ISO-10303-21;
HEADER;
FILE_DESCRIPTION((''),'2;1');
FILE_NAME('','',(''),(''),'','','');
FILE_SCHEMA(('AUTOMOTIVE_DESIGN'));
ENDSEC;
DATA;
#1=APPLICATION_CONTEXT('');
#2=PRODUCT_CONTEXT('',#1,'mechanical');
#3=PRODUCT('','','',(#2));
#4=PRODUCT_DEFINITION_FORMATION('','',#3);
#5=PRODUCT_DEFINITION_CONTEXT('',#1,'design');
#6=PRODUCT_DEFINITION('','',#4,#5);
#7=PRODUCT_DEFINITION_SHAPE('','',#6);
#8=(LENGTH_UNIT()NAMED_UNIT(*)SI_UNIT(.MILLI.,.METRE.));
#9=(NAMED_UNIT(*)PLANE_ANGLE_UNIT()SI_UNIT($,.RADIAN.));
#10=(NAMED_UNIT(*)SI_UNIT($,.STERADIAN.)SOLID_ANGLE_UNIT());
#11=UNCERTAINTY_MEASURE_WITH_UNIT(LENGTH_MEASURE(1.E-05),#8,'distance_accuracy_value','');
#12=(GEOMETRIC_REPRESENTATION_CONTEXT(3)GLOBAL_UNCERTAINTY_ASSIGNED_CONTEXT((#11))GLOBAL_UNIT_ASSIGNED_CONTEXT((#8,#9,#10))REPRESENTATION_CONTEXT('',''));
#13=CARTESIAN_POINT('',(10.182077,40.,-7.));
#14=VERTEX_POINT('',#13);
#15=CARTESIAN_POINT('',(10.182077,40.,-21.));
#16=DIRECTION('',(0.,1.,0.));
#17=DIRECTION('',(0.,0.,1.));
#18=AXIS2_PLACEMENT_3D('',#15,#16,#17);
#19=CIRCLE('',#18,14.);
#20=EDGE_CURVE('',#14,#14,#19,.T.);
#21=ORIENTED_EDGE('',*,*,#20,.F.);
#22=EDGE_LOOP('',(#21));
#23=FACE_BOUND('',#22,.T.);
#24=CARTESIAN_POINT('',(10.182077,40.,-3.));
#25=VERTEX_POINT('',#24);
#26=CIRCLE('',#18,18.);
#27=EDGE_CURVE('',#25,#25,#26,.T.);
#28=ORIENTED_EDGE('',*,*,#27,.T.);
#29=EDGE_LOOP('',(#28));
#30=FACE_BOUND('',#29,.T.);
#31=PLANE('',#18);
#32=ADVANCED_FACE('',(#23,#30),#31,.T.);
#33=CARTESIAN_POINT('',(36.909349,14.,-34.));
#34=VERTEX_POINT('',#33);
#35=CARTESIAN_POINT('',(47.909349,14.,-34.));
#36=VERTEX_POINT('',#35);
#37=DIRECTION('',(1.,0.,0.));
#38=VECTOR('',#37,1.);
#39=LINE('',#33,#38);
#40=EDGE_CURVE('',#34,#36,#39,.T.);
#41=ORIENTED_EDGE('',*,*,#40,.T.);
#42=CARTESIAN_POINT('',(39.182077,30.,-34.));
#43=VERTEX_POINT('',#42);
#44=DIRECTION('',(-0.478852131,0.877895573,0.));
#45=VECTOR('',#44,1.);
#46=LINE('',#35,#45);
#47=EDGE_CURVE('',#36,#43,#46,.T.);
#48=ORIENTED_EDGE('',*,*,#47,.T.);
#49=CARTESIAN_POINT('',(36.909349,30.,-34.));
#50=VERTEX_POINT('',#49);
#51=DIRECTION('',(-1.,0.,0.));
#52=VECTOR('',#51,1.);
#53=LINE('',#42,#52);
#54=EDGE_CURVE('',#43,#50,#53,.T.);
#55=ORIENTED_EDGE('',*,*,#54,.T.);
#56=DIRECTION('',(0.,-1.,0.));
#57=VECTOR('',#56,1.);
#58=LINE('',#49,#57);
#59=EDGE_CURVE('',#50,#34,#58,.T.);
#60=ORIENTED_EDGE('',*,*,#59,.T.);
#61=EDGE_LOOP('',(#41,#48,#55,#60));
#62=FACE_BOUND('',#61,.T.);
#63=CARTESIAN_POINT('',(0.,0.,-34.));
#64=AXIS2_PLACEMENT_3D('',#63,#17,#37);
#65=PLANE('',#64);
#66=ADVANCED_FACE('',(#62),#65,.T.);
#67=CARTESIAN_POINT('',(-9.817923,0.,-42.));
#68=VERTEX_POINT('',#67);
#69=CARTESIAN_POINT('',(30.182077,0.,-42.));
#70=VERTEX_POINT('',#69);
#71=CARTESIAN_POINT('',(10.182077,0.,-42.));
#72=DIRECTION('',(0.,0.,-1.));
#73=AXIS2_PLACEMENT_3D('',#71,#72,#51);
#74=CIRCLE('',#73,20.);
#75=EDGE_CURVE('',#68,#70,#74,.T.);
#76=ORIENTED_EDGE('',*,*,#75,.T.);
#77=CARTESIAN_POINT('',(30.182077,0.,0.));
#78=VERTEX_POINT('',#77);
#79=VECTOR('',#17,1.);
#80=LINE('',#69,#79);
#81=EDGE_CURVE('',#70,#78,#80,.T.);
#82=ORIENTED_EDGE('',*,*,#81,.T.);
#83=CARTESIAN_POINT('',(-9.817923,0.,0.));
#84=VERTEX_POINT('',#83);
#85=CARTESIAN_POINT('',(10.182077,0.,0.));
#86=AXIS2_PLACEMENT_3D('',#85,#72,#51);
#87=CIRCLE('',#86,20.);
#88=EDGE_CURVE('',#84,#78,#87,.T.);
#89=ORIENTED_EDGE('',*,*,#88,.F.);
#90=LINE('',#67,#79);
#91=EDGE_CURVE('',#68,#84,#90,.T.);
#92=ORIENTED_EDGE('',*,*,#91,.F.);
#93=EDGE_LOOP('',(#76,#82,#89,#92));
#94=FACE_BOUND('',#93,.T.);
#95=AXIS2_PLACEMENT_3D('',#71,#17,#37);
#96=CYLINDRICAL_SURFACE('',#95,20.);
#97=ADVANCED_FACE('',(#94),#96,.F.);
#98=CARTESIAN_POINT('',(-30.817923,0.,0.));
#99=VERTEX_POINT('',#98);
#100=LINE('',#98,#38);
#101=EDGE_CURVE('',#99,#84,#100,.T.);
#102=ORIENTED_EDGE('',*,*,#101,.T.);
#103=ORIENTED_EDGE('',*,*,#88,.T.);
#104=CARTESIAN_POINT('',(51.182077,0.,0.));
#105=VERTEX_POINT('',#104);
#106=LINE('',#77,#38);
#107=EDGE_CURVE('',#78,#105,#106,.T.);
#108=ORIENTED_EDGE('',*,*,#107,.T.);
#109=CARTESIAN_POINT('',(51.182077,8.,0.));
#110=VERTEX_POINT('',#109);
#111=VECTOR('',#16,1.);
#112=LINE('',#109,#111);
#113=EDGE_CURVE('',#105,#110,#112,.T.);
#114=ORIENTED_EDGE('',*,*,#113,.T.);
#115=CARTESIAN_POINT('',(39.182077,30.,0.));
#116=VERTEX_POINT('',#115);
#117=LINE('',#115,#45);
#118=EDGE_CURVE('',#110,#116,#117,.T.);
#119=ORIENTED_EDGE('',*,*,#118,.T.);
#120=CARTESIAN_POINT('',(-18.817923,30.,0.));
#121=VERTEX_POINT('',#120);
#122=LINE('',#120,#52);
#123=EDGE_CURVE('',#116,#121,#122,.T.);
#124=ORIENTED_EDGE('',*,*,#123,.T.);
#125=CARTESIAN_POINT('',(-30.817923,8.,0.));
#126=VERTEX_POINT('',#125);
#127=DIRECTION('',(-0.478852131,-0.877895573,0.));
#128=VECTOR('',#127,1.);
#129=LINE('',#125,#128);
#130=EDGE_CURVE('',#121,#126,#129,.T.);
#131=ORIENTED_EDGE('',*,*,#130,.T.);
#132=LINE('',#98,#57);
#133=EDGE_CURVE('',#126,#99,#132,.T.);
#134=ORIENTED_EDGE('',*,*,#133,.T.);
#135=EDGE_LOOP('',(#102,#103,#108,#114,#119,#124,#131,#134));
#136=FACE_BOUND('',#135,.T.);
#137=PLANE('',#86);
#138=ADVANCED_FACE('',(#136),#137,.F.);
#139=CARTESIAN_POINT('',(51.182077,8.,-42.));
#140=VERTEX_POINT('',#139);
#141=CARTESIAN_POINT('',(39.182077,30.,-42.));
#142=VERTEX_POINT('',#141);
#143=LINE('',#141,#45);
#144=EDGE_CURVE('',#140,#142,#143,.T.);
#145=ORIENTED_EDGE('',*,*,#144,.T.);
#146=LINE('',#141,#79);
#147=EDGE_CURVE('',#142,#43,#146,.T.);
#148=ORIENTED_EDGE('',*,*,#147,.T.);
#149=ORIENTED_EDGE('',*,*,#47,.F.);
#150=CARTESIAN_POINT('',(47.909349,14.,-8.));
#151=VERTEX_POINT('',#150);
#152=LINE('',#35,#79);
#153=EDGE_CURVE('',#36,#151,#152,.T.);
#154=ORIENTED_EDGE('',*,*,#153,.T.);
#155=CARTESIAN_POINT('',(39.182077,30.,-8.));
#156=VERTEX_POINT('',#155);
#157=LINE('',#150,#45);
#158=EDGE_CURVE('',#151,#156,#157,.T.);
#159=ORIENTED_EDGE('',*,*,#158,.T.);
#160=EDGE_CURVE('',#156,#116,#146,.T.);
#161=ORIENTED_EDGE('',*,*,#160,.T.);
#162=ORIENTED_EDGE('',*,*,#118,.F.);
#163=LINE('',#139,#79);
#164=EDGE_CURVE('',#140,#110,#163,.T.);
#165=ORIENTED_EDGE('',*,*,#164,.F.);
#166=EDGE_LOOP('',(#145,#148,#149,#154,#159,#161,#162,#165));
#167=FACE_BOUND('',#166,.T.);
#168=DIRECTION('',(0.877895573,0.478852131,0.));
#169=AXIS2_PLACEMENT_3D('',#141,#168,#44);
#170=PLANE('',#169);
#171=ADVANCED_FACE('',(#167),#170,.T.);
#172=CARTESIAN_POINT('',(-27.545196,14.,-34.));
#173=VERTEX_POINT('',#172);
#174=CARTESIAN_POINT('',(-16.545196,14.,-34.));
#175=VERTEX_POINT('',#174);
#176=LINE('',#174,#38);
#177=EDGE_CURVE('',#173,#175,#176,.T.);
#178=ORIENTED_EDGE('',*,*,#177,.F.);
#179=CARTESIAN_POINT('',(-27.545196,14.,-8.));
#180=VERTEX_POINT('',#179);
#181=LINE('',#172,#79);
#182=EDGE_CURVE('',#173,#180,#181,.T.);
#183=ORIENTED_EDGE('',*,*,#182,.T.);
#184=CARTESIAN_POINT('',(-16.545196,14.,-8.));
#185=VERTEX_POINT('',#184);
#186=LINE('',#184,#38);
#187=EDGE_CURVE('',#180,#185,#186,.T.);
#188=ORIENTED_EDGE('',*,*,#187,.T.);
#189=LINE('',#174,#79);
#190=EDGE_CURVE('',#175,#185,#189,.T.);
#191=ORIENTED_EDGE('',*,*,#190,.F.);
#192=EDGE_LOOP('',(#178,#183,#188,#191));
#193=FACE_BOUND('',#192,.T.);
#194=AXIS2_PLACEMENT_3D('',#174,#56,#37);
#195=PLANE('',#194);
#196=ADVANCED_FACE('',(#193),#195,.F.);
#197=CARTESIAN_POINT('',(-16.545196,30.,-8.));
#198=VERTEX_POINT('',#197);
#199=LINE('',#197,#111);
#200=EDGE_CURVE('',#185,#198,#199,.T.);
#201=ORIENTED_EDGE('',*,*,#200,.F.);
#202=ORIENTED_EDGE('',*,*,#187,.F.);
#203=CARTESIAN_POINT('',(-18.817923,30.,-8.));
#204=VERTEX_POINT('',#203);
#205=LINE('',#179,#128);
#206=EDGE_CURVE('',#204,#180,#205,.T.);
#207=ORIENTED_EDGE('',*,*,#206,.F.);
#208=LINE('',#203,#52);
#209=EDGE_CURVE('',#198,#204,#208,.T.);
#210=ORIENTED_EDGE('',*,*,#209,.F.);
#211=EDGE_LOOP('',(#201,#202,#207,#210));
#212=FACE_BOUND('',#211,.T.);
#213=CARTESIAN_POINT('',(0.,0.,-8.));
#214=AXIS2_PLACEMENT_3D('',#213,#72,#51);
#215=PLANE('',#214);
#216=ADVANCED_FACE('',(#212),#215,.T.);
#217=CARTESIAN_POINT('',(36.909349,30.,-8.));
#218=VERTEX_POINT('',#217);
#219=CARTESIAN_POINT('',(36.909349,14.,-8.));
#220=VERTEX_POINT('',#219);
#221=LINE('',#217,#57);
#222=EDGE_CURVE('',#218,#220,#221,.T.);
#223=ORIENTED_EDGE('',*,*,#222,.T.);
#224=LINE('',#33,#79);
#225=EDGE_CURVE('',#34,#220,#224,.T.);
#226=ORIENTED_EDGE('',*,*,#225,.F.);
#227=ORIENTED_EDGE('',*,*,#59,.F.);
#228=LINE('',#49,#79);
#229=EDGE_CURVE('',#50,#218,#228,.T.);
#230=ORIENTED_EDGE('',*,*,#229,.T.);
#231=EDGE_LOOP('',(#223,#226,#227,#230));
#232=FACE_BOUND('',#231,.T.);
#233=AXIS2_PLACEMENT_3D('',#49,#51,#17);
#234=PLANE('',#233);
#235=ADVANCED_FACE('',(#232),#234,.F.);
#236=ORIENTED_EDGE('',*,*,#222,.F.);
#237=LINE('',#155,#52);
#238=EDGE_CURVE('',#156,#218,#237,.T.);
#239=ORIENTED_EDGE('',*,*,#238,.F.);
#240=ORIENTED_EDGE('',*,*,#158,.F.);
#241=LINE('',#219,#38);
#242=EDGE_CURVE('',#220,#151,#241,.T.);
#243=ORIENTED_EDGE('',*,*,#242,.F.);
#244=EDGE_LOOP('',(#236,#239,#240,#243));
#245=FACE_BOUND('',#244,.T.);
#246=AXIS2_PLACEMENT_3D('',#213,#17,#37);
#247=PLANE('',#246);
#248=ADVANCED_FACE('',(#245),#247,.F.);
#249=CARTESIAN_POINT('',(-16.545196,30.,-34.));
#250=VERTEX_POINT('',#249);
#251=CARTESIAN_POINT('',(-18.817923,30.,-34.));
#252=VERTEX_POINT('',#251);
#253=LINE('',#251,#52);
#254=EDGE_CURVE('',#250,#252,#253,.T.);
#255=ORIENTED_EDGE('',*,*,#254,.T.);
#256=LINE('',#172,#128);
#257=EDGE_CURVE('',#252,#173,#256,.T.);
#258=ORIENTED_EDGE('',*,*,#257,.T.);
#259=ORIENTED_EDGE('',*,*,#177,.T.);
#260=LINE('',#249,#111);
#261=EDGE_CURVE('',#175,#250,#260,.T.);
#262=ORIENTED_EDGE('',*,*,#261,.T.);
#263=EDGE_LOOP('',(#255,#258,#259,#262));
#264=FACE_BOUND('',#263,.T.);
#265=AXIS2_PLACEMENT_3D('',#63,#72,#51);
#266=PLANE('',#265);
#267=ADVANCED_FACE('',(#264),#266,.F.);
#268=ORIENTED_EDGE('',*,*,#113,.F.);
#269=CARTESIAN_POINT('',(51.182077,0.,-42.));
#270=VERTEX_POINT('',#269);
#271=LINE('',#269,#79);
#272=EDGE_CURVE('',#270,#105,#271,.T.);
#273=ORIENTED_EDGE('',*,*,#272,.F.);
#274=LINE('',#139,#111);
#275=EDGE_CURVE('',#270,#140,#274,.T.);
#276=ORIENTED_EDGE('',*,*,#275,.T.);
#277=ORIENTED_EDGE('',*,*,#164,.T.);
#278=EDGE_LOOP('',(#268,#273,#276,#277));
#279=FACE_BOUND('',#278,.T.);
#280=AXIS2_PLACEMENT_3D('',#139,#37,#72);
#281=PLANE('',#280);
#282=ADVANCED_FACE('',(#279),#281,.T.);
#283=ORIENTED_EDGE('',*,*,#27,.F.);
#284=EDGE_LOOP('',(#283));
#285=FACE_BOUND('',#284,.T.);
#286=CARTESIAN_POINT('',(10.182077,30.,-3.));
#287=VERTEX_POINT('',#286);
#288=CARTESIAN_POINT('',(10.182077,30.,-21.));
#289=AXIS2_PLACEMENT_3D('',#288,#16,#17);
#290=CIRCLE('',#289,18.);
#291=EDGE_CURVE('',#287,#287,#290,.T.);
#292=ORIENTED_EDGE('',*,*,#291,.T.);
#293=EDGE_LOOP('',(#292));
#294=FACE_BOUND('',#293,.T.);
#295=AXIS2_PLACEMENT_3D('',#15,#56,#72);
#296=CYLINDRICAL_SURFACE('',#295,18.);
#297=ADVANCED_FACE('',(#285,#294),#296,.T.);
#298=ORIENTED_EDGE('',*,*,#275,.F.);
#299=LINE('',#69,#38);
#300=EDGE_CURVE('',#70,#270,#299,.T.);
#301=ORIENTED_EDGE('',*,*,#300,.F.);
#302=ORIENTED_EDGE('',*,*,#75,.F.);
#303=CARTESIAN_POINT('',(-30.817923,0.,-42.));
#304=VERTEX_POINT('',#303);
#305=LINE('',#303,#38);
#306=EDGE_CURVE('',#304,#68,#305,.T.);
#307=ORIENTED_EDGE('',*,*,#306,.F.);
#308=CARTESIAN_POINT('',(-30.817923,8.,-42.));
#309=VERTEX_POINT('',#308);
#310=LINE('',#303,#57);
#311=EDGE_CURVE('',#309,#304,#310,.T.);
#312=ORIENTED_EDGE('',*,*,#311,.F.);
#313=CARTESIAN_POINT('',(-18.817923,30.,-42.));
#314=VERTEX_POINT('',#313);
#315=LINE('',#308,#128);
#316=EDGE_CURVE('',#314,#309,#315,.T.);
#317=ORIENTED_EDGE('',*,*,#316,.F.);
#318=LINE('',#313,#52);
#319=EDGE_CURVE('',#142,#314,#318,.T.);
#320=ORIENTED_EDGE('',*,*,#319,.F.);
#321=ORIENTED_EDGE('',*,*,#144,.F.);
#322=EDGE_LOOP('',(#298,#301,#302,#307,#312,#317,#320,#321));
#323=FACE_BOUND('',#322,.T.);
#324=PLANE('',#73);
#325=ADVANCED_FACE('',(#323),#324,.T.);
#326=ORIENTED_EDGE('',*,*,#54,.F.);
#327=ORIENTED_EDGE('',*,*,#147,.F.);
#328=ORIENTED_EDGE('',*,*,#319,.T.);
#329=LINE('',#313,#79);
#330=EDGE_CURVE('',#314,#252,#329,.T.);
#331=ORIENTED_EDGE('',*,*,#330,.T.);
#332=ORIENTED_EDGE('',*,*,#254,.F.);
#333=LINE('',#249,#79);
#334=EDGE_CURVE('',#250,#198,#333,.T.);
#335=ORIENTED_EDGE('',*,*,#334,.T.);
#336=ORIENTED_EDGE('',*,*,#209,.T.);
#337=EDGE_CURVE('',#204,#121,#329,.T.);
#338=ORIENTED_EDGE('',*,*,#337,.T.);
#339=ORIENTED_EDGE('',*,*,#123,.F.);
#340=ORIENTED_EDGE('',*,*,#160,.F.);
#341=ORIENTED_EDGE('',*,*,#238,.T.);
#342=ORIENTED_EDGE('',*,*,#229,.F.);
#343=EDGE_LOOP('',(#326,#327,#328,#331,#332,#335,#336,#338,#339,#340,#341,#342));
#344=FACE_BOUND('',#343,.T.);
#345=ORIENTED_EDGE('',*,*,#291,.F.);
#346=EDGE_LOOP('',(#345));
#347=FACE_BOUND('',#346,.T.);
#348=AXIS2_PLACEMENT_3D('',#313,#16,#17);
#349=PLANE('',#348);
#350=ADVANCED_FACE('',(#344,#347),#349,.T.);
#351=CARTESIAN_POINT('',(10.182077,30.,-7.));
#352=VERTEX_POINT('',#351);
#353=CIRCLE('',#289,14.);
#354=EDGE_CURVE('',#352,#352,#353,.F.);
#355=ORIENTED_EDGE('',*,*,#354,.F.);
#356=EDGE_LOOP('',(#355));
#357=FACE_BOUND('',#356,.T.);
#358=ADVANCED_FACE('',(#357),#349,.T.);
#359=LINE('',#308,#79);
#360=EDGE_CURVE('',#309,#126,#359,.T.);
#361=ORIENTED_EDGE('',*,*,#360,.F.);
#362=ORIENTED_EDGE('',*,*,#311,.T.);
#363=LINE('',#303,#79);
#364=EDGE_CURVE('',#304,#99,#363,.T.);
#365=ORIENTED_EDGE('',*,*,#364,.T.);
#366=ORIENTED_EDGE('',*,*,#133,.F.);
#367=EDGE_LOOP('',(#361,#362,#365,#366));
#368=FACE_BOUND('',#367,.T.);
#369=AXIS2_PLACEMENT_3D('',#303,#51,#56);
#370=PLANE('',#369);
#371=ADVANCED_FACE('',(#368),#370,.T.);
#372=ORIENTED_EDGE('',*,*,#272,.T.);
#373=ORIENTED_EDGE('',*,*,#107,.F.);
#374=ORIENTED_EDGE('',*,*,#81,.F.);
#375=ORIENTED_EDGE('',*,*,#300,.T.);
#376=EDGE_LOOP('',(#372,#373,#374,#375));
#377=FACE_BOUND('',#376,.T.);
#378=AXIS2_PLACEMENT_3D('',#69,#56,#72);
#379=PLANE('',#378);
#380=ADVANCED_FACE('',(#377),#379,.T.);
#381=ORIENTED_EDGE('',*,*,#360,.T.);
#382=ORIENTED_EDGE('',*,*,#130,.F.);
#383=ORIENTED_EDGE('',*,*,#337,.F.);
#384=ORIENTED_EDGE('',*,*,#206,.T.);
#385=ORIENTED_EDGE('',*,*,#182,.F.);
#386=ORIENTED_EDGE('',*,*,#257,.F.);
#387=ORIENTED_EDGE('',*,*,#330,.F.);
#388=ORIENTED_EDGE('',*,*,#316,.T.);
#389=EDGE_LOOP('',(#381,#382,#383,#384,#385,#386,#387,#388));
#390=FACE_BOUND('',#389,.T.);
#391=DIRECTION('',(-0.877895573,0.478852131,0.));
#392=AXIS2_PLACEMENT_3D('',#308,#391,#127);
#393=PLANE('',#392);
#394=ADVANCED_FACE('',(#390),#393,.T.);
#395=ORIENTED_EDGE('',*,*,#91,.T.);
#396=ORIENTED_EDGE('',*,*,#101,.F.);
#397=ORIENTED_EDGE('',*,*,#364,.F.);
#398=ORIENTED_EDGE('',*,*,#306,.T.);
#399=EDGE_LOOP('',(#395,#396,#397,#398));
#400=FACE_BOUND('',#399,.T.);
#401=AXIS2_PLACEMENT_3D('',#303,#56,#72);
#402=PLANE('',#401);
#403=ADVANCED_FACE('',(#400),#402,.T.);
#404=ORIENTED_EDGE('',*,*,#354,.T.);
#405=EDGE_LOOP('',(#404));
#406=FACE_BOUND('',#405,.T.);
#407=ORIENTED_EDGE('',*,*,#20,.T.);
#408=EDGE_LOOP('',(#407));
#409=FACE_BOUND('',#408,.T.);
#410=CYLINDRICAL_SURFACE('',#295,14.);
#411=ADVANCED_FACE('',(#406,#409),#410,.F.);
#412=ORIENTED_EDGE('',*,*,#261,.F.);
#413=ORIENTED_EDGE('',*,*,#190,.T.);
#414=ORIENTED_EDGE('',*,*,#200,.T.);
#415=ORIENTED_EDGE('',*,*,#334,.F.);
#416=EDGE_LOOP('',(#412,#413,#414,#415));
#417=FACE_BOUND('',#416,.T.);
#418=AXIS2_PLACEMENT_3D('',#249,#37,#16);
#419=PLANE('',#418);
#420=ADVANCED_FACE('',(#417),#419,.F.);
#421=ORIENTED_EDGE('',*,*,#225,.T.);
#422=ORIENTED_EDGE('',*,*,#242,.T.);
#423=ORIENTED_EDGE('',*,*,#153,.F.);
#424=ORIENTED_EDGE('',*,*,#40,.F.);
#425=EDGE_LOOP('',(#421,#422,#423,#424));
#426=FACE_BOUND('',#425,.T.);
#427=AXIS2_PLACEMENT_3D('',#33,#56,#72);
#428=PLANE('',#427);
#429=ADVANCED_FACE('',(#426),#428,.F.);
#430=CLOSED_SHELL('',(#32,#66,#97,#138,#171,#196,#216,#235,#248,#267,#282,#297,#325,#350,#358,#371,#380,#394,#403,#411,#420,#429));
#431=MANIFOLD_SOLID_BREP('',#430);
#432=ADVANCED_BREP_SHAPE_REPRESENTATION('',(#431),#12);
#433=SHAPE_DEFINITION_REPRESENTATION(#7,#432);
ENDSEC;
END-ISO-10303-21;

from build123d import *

# Parameters (mm, degrees)
BOSS_EXTRUDE1_DEPTH = 42
SKETCH2_R           = 18
SKETCH2_R_2         = 14
BOSS_EXTRUDE2_DEPTH = 10
CUT_EXTRUDE1_DEPTH  = 26


with BuildPart() as part:
    # Sketch1 → Boss-Extrude1 (new body)
    with BuildSketch(Plane.XY):
        with BuildLine():
            Line((-30.817923278, 0), (-30.817923278, 8))
            Line((-30.817923278, 8), (-18.817923278, 30))
            Line((-18.817923278, 30), (39.182076722, 30))
            Line((39.182076722, 30), (51.182076722, 8))
            Line((51.182076722, 8), (51.182076722, 0))
            Line((51.182076722, 0), (30.182076722, 0))
            ThreePointArc((30.182076722, 0), (10.182076722, 20), (-9.817923278, 0))
            Line((-9.817923278, 0), (-30.817923278, 0))
        make_face()
    extrude(amount=-BOSS_EXTRUDE1_DEPTH)

    # Sketch2 → Boss-Extrude2 (add)
    with BuildSketch(Plane(origin=(0, 30, 0), x_dir=(1, 0, 0), z_dir=(0, 1, 0))):
        with Locations(Location((10.182076722, 21, 0), (0, 0, 270))):
            Circle(SKETCH2_R)
        with Locations(Location((10.182076722, 21, 0), (0, 0, 270))):
            Circle(SKETCH2_R_2, mode=Mode.SUBTRACT)
    extrude(amount=BOSS_EXTRUDE2_DEPTH)

    # Sketch3 → Cut-Extrude1 (cut)
    with BuildSketch(Plane.XY.offset(-8)):
        Polygon((36.909349449, 30), (36.909349449, 14), (47.909349449, 14), (39.182076722, 30), align=None)
        Polygon((-16.545196006, 30), (-16.545196006, 14), (-27.545196006, 14), (-18.817923278, 30), align=None)
    extrude(amount=-CUT_EXTRUDE1_DEPTH, mode=Mode.SUBTRACT)


solid = part.part
